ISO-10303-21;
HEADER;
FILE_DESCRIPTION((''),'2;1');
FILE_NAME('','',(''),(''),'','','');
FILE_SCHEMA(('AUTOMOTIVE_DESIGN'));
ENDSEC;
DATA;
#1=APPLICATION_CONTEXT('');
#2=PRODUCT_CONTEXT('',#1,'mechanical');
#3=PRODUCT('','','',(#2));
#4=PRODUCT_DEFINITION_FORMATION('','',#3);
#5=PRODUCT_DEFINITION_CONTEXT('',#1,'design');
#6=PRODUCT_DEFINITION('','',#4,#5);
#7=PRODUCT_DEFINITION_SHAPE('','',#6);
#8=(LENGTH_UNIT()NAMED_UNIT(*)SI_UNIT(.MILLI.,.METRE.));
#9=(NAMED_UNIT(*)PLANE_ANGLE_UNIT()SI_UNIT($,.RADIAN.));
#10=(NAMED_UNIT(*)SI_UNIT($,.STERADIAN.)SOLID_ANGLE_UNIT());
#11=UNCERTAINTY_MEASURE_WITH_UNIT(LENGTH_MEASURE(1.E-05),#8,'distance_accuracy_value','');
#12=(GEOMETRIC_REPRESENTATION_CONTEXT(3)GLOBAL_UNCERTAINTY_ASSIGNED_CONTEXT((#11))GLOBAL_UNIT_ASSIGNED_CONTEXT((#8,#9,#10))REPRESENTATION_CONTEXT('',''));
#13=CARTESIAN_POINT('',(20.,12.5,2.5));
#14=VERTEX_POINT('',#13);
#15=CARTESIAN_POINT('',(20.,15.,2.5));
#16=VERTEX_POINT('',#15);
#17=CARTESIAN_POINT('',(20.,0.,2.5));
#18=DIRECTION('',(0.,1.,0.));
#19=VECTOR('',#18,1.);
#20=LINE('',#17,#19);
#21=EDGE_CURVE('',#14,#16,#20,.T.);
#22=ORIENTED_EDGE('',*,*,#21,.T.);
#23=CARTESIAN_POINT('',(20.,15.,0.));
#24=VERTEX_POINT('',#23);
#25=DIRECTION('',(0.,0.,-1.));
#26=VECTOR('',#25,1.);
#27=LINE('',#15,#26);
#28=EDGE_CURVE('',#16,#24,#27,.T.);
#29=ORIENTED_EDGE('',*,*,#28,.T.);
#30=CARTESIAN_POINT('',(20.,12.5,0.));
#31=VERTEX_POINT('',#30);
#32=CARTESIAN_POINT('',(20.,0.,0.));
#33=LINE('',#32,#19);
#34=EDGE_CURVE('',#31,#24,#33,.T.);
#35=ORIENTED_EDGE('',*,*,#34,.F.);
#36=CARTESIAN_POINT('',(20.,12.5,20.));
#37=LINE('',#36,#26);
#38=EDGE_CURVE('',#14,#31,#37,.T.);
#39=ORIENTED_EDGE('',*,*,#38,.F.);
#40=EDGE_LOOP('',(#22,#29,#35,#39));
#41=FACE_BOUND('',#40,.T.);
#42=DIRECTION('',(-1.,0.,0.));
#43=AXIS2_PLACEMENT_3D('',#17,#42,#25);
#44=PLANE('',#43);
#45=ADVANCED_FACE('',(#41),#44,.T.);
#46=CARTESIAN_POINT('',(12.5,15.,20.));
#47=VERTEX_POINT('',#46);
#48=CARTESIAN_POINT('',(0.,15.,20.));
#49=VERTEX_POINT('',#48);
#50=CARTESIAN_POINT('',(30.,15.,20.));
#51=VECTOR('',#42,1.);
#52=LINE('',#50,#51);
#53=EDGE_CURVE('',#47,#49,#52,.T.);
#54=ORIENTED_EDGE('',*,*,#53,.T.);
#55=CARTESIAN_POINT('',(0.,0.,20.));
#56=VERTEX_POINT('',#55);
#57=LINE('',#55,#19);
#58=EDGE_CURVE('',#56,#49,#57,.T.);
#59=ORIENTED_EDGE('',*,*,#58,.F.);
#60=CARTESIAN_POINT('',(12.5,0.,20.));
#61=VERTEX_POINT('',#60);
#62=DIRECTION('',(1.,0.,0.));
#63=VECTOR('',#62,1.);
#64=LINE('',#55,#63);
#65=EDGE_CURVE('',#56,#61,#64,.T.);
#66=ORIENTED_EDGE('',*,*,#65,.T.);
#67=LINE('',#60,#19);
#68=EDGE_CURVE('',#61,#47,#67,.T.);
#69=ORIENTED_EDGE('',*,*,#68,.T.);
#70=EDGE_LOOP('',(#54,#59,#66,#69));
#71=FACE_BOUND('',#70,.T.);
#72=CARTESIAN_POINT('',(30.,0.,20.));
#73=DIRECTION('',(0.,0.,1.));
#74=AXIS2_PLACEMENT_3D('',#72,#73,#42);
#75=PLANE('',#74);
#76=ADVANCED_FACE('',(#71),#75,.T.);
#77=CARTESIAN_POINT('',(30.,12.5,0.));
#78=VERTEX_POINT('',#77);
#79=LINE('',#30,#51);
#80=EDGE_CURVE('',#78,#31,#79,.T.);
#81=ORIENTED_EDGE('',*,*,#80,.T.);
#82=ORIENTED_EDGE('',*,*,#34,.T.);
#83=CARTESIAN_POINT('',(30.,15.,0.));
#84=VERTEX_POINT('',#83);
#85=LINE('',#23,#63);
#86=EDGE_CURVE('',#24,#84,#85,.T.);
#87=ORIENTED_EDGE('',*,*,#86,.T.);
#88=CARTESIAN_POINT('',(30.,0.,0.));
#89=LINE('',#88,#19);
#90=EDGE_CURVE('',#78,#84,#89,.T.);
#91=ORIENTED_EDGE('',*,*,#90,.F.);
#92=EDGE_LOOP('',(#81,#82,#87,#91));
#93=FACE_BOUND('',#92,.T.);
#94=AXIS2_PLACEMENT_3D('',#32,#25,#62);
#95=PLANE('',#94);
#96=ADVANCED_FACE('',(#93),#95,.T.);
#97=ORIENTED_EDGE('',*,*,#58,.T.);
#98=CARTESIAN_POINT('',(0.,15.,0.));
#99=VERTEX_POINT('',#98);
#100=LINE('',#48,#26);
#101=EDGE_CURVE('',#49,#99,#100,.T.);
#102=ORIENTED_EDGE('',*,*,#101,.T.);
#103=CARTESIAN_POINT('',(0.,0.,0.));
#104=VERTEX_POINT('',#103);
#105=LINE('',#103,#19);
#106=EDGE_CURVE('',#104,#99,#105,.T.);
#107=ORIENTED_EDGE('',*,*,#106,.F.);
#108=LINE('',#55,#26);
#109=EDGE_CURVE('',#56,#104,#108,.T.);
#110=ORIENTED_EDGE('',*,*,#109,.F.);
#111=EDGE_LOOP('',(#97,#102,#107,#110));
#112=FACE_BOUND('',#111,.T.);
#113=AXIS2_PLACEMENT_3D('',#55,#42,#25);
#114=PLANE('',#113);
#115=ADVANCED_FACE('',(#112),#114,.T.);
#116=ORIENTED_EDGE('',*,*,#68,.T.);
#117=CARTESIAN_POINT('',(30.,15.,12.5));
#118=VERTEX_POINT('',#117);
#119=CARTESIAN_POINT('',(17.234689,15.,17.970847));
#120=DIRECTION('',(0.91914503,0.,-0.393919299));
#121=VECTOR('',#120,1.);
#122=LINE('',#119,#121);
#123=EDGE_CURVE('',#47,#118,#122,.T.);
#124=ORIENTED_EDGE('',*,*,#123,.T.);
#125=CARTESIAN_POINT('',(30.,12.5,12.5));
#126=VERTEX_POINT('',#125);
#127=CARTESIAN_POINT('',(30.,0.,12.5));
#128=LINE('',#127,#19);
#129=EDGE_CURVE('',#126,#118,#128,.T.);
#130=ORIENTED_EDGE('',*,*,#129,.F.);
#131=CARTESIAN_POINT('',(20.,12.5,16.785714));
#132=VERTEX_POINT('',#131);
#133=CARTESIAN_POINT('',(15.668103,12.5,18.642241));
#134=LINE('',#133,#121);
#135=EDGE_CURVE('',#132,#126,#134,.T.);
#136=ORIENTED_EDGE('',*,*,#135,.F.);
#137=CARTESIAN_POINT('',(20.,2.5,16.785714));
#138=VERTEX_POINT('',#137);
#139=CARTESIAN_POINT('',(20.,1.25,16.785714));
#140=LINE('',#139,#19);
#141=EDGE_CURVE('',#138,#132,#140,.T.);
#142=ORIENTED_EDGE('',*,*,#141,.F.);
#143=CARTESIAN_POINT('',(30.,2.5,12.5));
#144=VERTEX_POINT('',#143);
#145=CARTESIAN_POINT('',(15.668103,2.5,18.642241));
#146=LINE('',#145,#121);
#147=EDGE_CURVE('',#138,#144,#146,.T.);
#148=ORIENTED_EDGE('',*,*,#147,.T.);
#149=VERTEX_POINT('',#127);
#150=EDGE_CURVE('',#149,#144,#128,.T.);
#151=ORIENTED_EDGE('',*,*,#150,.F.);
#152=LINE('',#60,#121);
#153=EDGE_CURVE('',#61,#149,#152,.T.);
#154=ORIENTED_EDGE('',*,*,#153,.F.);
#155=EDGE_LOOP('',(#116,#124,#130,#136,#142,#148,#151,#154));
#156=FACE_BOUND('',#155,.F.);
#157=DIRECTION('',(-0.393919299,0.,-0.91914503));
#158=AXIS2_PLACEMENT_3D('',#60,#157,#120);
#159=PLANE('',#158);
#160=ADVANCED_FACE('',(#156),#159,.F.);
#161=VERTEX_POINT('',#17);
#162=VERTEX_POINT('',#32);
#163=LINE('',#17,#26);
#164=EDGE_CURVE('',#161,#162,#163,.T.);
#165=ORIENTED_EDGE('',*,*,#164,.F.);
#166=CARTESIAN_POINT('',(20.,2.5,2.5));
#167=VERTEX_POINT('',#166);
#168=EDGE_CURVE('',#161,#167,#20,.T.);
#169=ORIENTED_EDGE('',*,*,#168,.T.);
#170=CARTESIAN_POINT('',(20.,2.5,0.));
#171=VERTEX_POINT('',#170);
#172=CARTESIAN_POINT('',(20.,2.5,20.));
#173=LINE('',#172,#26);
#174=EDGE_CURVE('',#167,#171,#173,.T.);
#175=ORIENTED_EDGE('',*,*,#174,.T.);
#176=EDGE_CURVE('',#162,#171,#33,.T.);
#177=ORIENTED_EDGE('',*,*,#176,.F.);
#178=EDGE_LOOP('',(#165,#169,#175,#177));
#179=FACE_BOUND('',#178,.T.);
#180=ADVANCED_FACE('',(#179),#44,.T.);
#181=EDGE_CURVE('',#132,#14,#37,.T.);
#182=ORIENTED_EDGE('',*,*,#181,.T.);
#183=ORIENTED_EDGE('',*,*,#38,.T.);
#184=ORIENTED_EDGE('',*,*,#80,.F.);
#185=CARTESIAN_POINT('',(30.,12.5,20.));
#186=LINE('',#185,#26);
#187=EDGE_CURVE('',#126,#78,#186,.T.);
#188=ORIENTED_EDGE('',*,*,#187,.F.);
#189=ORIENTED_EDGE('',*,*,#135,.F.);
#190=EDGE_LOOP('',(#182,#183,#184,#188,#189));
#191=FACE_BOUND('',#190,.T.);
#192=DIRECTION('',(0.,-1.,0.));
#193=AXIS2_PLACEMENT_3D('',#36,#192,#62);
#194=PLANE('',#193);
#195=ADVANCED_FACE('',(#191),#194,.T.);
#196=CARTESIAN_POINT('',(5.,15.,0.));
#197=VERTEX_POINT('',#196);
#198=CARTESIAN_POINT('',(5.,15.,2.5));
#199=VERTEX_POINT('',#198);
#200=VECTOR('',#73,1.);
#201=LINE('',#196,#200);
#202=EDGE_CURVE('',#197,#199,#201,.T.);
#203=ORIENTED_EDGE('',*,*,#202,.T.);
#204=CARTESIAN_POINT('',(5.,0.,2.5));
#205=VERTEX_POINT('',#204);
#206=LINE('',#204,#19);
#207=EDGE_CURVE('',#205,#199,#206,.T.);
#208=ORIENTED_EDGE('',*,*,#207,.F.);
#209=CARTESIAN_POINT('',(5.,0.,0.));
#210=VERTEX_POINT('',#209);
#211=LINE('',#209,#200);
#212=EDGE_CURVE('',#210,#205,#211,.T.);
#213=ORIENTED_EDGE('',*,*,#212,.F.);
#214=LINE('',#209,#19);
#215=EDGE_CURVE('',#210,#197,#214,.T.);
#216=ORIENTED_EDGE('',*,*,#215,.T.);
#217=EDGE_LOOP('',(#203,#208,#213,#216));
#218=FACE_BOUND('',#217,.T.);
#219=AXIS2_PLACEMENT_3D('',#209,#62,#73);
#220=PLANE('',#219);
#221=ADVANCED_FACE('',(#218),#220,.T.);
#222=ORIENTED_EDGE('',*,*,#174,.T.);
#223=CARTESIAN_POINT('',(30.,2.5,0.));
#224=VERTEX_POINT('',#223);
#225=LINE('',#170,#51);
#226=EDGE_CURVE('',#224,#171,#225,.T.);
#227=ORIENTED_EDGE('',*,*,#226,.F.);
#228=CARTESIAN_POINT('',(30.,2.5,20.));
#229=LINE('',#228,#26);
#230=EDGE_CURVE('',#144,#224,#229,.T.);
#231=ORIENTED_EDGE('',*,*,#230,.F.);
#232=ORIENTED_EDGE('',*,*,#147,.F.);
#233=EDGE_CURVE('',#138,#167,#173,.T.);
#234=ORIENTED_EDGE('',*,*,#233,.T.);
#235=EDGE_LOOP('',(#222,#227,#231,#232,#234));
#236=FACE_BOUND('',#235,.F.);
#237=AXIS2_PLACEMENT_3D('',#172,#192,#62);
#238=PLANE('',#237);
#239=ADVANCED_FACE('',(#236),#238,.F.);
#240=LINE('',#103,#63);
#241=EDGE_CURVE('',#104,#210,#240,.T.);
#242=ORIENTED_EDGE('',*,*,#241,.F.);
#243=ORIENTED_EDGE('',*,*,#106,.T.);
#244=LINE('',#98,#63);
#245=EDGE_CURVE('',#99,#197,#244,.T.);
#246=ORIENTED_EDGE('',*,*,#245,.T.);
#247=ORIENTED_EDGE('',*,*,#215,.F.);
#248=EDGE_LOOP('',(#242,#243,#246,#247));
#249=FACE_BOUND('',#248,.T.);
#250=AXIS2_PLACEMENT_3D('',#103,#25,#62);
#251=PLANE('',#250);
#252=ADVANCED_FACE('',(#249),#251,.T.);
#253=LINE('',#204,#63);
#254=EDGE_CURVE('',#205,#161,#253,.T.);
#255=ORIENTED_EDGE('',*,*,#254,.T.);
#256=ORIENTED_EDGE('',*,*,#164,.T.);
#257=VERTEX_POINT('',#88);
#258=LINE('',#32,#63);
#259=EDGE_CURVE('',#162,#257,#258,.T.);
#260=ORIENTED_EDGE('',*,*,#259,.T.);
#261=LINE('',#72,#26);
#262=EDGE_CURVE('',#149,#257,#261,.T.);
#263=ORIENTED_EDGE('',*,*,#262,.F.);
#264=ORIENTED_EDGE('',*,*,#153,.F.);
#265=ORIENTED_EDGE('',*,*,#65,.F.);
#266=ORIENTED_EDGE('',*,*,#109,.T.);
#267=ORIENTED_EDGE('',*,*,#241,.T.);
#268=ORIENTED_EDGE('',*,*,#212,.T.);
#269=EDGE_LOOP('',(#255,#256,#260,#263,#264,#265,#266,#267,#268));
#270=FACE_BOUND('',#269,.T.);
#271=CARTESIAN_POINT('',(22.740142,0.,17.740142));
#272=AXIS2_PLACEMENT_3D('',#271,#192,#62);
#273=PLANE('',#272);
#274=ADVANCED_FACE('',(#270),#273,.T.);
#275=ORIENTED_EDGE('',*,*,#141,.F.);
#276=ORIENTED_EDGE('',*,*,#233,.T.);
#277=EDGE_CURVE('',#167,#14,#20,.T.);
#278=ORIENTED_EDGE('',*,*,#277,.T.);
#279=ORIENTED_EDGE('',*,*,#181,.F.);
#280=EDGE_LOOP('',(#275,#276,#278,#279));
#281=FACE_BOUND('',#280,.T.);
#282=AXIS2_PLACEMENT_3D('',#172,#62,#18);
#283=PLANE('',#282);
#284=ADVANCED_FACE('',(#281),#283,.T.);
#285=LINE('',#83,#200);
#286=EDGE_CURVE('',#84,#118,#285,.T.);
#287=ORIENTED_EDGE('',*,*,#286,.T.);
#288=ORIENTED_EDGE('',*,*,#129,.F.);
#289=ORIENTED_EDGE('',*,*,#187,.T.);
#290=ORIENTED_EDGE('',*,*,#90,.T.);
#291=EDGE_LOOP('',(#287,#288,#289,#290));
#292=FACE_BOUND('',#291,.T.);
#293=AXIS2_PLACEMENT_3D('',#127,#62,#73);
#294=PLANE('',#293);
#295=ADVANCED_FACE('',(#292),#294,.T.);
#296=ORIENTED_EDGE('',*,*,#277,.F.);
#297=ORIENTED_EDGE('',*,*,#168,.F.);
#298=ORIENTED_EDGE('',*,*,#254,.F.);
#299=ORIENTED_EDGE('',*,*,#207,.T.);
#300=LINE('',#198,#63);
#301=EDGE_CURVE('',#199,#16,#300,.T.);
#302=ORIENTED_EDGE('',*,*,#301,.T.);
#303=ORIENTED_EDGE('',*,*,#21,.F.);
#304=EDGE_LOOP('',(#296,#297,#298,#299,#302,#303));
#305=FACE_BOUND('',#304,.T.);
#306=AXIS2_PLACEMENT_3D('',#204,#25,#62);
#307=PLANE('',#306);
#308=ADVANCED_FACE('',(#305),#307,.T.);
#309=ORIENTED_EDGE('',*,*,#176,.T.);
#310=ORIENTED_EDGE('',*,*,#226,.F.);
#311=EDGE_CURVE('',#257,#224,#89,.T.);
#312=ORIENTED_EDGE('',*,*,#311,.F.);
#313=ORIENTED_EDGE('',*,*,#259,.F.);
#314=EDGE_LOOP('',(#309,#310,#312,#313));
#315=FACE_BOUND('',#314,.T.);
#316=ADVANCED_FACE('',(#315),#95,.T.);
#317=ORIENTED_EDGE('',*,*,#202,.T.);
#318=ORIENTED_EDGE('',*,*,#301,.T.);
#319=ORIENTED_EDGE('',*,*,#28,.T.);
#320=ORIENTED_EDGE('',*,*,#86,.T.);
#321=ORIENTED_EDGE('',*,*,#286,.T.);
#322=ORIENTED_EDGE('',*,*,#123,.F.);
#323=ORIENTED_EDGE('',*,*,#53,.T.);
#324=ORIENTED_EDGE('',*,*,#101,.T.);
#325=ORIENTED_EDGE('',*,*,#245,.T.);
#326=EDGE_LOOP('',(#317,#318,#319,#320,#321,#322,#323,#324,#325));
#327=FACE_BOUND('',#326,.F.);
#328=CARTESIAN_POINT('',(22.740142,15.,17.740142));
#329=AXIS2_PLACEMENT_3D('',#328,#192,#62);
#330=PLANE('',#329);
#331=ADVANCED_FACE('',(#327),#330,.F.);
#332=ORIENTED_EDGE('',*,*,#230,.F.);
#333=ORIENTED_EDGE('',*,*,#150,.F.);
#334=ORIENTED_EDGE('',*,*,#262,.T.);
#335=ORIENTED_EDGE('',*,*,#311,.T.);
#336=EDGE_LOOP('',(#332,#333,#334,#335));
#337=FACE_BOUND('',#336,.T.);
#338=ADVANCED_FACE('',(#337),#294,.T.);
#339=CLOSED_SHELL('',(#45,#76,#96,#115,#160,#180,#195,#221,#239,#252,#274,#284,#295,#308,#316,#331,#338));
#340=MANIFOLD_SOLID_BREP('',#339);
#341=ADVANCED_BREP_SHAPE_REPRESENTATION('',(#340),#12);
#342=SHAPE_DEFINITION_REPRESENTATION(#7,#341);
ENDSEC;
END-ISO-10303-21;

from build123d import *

# Parameters (mm, degrees)
F1_DEPTH = 15
F2_DEPTH = 15
F3_W     = 10
F3_H     = 10
F4_DEPTH = 20.001
F5_DEPTH = 15.001


with BuildPart() as f1:
    # F0 (on Front) → F1 (new body)
    with BuildSketch(Plane.XZ):
        Polygon((0, 20), (0, 0), (5, 0), (5, 2.5), (20, 2.5), (20, 0), (30, 0), (30, 12.5), (12.5, 20), align=None)
    extrude(amount=-F1_DEPTH)

    # F0 (on Front) → F2 (join)
    with BuildSketch(Plane.XZ):
        Polygon((30, 20), (12.5, 20), (30, 12.5), align=None)
    extrude(amount=-F2_DEPTH)

    # F3 (on face) → F4 (cut, through all)
    with BuildSketch(Plane.XY.offset(20)):
        with Locations((25, 7.5)):
            Rectangle(F3_W, F3_H)
    extrude(amount=-F4_DEPTH, mode=Mode.SUBTRACT)

    # F0 (on Front) → F5 (cut, through all)
    with BuildSketch(Plane.XZ):
        Polygon((30, 20), (12.5, 20), (30, 12.5), align=None)
    extrude(amount=-F5_DEPTH, mode=Mode.SUBTRACT)


solid = f1.part
